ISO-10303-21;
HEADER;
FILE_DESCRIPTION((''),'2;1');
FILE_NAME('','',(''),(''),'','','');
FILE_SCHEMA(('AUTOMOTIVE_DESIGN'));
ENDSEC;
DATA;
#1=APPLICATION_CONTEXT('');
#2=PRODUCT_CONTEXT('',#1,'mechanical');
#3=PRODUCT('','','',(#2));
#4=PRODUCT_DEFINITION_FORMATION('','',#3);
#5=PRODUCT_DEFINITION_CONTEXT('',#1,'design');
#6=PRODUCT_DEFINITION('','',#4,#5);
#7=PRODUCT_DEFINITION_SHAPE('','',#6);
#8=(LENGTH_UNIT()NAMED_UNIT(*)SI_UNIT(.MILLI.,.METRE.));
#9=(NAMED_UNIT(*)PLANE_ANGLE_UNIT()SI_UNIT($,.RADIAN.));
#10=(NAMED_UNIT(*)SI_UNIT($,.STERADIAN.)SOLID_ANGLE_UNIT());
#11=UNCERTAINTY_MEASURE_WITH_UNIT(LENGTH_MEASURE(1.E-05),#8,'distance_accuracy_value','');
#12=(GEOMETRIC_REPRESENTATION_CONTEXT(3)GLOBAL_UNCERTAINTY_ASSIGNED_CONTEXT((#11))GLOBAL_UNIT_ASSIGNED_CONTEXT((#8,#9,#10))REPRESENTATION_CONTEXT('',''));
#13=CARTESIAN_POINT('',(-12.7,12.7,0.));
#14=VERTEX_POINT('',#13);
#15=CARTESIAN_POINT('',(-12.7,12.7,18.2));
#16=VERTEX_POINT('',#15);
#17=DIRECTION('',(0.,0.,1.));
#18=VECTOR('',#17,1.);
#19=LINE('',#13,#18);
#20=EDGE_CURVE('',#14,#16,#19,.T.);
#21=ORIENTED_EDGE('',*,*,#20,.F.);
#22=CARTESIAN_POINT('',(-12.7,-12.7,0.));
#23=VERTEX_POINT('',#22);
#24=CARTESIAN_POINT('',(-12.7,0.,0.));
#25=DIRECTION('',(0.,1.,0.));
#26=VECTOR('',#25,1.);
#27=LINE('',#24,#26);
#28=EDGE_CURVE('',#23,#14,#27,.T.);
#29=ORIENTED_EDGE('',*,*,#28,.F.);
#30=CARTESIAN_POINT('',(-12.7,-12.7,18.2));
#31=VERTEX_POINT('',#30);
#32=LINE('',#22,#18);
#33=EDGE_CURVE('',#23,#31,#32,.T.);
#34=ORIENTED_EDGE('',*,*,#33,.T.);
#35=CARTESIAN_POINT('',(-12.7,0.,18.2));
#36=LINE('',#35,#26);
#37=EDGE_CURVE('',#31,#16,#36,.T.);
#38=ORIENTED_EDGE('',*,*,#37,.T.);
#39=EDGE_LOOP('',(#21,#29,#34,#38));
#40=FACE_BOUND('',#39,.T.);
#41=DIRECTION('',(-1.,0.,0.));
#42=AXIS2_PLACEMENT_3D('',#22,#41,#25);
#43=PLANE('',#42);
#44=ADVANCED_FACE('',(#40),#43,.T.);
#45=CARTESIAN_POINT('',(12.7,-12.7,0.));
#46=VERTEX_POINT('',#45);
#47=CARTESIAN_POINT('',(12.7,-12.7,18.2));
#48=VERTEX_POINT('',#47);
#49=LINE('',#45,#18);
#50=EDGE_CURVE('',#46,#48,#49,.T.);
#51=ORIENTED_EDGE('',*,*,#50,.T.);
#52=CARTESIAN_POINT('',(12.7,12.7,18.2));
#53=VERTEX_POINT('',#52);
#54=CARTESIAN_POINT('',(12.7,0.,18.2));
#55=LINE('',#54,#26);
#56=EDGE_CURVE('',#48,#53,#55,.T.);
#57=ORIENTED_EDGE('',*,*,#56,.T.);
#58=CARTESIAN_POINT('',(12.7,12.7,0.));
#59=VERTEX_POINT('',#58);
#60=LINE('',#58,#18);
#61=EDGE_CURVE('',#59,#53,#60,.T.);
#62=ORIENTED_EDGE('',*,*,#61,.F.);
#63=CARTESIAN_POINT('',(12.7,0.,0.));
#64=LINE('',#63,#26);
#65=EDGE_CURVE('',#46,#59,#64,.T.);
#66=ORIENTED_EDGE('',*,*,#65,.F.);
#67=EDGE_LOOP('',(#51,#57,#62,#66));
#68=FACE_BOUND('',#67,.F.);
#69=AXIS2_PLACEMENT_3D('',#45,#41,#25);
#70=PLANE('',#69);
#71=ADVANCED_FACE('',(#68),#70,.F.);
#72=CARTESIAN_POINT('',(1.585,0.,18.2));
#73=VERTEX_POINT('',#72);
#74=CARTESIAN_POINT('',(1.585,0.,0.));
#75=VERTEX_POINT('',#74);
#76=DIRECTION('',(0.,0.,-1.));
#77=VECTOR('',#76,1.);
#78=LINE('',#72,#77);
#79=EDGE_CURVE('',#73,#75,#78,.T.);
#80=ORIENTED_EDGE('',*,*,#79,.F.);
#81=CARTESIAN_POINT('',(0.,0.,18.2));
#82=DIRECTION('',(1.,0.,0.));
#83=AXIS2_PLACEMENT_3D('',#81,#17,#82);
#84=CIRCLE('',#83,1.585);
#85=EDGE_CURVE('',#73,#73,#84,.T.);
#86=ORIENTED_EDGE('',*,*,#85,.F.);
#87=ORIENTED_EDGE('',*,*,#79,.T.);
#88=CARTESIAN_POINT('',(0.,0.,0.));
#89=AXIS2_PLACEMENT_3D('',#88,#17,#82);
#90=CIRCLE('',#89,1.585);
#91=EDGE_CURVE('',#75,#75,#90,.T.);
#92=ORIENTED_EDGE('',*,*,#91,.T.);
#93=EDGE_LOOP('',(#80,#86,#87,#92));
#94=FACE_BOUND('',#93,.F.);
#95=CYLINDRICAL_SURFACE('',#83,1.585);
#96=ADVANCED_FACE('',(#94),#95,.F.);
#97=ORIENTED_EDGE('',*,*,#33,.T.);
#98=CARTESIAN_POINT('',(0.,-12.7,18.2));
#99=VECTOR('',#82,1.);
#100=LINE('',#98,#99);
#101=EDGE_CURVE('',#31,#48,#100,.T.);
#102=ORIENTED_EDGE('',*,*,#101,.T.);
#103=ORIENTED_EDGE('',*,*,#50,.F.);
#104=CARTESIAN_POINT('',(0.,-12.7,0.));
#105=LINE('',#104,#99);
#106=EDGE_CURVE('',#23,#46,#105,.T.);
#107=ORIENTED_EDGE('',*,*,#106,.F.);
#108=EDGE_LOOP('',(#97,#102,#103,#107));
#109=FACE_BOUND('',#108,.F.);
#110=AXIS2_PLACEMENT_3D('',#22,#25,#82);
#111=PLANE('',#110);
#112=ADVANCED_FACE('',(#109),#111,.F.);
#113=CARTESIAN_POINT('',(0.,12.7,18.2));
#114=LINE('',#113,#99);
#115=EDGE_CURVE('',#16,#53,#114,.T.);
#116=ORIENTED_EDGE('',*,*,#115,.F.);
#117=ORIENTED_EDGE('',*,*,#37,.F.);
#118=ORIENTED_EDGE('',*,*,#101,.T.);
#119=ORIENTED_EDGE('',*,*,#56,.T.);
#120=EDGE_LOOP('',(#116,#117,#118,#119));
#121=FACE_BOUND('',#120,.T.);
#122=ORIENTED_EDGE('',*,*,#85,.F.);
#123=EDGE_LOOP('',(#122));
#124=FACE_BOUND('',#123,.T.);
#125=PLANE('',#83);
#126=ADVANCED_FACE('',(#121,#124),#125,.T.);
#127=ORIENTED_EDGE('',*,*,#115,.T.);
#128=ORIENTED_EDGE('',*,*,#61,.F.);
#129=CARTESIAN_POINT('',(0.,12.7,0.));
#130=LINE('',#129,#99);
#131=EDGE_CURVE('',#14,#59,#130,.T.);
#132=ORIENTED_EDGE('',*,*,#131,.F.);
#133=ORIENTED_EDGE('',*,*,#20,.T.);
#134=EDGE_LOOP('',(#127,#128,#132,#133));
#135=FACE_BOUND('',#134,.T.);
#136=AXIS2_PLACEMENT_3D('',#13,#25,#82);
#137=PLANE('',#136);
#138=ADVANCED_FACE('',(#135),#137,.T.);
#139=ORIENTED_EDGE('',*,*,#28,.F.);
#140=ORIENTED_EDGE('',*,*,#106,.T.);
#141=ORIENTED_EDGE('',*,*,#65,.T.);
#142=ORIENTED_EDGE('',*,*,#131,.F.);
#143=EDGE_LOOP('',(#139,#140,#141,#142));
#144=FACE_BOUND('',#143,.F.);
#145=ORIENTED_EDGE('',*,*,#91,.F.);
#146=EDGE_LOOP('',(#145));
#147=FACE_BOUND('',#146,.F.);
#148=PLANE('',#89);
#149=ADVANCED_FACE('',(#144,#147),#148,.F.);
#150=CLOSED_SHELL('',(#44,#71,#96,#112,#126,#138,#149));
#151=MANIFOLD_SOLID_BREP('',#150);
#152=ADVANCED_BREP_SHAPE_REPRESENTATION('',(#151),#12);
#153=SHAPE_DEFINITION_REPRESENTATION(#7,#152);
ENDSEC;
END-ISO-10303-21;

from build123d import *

# Parameters (mm, degrees)
SKETCH_W    = 25.4
SKETCH_H    = 25.4
PAD_DEPTH   = 18.2
SKETCH001_R = 1.585
HOLE_DEPTH  = 18.201


with BuildPart() as part:
    # Sketch → Pad (new body)
    with BuildSketch(Plane.XY):
        Rectangle(SKETCH_W, SKETCH_H)
    extrude(amount=PAD_DEPTH)

    # Sketch001 (on Face6 of Pad) → Hole (cut, through all)
    with BuildSketch(Plane.XY.offset(18.2)):
        Circle(SKETCH001_R)
    extrude(amount=-HOLE_DEPTH, mode=Mode.SUBTRACT)


solid = part.part
